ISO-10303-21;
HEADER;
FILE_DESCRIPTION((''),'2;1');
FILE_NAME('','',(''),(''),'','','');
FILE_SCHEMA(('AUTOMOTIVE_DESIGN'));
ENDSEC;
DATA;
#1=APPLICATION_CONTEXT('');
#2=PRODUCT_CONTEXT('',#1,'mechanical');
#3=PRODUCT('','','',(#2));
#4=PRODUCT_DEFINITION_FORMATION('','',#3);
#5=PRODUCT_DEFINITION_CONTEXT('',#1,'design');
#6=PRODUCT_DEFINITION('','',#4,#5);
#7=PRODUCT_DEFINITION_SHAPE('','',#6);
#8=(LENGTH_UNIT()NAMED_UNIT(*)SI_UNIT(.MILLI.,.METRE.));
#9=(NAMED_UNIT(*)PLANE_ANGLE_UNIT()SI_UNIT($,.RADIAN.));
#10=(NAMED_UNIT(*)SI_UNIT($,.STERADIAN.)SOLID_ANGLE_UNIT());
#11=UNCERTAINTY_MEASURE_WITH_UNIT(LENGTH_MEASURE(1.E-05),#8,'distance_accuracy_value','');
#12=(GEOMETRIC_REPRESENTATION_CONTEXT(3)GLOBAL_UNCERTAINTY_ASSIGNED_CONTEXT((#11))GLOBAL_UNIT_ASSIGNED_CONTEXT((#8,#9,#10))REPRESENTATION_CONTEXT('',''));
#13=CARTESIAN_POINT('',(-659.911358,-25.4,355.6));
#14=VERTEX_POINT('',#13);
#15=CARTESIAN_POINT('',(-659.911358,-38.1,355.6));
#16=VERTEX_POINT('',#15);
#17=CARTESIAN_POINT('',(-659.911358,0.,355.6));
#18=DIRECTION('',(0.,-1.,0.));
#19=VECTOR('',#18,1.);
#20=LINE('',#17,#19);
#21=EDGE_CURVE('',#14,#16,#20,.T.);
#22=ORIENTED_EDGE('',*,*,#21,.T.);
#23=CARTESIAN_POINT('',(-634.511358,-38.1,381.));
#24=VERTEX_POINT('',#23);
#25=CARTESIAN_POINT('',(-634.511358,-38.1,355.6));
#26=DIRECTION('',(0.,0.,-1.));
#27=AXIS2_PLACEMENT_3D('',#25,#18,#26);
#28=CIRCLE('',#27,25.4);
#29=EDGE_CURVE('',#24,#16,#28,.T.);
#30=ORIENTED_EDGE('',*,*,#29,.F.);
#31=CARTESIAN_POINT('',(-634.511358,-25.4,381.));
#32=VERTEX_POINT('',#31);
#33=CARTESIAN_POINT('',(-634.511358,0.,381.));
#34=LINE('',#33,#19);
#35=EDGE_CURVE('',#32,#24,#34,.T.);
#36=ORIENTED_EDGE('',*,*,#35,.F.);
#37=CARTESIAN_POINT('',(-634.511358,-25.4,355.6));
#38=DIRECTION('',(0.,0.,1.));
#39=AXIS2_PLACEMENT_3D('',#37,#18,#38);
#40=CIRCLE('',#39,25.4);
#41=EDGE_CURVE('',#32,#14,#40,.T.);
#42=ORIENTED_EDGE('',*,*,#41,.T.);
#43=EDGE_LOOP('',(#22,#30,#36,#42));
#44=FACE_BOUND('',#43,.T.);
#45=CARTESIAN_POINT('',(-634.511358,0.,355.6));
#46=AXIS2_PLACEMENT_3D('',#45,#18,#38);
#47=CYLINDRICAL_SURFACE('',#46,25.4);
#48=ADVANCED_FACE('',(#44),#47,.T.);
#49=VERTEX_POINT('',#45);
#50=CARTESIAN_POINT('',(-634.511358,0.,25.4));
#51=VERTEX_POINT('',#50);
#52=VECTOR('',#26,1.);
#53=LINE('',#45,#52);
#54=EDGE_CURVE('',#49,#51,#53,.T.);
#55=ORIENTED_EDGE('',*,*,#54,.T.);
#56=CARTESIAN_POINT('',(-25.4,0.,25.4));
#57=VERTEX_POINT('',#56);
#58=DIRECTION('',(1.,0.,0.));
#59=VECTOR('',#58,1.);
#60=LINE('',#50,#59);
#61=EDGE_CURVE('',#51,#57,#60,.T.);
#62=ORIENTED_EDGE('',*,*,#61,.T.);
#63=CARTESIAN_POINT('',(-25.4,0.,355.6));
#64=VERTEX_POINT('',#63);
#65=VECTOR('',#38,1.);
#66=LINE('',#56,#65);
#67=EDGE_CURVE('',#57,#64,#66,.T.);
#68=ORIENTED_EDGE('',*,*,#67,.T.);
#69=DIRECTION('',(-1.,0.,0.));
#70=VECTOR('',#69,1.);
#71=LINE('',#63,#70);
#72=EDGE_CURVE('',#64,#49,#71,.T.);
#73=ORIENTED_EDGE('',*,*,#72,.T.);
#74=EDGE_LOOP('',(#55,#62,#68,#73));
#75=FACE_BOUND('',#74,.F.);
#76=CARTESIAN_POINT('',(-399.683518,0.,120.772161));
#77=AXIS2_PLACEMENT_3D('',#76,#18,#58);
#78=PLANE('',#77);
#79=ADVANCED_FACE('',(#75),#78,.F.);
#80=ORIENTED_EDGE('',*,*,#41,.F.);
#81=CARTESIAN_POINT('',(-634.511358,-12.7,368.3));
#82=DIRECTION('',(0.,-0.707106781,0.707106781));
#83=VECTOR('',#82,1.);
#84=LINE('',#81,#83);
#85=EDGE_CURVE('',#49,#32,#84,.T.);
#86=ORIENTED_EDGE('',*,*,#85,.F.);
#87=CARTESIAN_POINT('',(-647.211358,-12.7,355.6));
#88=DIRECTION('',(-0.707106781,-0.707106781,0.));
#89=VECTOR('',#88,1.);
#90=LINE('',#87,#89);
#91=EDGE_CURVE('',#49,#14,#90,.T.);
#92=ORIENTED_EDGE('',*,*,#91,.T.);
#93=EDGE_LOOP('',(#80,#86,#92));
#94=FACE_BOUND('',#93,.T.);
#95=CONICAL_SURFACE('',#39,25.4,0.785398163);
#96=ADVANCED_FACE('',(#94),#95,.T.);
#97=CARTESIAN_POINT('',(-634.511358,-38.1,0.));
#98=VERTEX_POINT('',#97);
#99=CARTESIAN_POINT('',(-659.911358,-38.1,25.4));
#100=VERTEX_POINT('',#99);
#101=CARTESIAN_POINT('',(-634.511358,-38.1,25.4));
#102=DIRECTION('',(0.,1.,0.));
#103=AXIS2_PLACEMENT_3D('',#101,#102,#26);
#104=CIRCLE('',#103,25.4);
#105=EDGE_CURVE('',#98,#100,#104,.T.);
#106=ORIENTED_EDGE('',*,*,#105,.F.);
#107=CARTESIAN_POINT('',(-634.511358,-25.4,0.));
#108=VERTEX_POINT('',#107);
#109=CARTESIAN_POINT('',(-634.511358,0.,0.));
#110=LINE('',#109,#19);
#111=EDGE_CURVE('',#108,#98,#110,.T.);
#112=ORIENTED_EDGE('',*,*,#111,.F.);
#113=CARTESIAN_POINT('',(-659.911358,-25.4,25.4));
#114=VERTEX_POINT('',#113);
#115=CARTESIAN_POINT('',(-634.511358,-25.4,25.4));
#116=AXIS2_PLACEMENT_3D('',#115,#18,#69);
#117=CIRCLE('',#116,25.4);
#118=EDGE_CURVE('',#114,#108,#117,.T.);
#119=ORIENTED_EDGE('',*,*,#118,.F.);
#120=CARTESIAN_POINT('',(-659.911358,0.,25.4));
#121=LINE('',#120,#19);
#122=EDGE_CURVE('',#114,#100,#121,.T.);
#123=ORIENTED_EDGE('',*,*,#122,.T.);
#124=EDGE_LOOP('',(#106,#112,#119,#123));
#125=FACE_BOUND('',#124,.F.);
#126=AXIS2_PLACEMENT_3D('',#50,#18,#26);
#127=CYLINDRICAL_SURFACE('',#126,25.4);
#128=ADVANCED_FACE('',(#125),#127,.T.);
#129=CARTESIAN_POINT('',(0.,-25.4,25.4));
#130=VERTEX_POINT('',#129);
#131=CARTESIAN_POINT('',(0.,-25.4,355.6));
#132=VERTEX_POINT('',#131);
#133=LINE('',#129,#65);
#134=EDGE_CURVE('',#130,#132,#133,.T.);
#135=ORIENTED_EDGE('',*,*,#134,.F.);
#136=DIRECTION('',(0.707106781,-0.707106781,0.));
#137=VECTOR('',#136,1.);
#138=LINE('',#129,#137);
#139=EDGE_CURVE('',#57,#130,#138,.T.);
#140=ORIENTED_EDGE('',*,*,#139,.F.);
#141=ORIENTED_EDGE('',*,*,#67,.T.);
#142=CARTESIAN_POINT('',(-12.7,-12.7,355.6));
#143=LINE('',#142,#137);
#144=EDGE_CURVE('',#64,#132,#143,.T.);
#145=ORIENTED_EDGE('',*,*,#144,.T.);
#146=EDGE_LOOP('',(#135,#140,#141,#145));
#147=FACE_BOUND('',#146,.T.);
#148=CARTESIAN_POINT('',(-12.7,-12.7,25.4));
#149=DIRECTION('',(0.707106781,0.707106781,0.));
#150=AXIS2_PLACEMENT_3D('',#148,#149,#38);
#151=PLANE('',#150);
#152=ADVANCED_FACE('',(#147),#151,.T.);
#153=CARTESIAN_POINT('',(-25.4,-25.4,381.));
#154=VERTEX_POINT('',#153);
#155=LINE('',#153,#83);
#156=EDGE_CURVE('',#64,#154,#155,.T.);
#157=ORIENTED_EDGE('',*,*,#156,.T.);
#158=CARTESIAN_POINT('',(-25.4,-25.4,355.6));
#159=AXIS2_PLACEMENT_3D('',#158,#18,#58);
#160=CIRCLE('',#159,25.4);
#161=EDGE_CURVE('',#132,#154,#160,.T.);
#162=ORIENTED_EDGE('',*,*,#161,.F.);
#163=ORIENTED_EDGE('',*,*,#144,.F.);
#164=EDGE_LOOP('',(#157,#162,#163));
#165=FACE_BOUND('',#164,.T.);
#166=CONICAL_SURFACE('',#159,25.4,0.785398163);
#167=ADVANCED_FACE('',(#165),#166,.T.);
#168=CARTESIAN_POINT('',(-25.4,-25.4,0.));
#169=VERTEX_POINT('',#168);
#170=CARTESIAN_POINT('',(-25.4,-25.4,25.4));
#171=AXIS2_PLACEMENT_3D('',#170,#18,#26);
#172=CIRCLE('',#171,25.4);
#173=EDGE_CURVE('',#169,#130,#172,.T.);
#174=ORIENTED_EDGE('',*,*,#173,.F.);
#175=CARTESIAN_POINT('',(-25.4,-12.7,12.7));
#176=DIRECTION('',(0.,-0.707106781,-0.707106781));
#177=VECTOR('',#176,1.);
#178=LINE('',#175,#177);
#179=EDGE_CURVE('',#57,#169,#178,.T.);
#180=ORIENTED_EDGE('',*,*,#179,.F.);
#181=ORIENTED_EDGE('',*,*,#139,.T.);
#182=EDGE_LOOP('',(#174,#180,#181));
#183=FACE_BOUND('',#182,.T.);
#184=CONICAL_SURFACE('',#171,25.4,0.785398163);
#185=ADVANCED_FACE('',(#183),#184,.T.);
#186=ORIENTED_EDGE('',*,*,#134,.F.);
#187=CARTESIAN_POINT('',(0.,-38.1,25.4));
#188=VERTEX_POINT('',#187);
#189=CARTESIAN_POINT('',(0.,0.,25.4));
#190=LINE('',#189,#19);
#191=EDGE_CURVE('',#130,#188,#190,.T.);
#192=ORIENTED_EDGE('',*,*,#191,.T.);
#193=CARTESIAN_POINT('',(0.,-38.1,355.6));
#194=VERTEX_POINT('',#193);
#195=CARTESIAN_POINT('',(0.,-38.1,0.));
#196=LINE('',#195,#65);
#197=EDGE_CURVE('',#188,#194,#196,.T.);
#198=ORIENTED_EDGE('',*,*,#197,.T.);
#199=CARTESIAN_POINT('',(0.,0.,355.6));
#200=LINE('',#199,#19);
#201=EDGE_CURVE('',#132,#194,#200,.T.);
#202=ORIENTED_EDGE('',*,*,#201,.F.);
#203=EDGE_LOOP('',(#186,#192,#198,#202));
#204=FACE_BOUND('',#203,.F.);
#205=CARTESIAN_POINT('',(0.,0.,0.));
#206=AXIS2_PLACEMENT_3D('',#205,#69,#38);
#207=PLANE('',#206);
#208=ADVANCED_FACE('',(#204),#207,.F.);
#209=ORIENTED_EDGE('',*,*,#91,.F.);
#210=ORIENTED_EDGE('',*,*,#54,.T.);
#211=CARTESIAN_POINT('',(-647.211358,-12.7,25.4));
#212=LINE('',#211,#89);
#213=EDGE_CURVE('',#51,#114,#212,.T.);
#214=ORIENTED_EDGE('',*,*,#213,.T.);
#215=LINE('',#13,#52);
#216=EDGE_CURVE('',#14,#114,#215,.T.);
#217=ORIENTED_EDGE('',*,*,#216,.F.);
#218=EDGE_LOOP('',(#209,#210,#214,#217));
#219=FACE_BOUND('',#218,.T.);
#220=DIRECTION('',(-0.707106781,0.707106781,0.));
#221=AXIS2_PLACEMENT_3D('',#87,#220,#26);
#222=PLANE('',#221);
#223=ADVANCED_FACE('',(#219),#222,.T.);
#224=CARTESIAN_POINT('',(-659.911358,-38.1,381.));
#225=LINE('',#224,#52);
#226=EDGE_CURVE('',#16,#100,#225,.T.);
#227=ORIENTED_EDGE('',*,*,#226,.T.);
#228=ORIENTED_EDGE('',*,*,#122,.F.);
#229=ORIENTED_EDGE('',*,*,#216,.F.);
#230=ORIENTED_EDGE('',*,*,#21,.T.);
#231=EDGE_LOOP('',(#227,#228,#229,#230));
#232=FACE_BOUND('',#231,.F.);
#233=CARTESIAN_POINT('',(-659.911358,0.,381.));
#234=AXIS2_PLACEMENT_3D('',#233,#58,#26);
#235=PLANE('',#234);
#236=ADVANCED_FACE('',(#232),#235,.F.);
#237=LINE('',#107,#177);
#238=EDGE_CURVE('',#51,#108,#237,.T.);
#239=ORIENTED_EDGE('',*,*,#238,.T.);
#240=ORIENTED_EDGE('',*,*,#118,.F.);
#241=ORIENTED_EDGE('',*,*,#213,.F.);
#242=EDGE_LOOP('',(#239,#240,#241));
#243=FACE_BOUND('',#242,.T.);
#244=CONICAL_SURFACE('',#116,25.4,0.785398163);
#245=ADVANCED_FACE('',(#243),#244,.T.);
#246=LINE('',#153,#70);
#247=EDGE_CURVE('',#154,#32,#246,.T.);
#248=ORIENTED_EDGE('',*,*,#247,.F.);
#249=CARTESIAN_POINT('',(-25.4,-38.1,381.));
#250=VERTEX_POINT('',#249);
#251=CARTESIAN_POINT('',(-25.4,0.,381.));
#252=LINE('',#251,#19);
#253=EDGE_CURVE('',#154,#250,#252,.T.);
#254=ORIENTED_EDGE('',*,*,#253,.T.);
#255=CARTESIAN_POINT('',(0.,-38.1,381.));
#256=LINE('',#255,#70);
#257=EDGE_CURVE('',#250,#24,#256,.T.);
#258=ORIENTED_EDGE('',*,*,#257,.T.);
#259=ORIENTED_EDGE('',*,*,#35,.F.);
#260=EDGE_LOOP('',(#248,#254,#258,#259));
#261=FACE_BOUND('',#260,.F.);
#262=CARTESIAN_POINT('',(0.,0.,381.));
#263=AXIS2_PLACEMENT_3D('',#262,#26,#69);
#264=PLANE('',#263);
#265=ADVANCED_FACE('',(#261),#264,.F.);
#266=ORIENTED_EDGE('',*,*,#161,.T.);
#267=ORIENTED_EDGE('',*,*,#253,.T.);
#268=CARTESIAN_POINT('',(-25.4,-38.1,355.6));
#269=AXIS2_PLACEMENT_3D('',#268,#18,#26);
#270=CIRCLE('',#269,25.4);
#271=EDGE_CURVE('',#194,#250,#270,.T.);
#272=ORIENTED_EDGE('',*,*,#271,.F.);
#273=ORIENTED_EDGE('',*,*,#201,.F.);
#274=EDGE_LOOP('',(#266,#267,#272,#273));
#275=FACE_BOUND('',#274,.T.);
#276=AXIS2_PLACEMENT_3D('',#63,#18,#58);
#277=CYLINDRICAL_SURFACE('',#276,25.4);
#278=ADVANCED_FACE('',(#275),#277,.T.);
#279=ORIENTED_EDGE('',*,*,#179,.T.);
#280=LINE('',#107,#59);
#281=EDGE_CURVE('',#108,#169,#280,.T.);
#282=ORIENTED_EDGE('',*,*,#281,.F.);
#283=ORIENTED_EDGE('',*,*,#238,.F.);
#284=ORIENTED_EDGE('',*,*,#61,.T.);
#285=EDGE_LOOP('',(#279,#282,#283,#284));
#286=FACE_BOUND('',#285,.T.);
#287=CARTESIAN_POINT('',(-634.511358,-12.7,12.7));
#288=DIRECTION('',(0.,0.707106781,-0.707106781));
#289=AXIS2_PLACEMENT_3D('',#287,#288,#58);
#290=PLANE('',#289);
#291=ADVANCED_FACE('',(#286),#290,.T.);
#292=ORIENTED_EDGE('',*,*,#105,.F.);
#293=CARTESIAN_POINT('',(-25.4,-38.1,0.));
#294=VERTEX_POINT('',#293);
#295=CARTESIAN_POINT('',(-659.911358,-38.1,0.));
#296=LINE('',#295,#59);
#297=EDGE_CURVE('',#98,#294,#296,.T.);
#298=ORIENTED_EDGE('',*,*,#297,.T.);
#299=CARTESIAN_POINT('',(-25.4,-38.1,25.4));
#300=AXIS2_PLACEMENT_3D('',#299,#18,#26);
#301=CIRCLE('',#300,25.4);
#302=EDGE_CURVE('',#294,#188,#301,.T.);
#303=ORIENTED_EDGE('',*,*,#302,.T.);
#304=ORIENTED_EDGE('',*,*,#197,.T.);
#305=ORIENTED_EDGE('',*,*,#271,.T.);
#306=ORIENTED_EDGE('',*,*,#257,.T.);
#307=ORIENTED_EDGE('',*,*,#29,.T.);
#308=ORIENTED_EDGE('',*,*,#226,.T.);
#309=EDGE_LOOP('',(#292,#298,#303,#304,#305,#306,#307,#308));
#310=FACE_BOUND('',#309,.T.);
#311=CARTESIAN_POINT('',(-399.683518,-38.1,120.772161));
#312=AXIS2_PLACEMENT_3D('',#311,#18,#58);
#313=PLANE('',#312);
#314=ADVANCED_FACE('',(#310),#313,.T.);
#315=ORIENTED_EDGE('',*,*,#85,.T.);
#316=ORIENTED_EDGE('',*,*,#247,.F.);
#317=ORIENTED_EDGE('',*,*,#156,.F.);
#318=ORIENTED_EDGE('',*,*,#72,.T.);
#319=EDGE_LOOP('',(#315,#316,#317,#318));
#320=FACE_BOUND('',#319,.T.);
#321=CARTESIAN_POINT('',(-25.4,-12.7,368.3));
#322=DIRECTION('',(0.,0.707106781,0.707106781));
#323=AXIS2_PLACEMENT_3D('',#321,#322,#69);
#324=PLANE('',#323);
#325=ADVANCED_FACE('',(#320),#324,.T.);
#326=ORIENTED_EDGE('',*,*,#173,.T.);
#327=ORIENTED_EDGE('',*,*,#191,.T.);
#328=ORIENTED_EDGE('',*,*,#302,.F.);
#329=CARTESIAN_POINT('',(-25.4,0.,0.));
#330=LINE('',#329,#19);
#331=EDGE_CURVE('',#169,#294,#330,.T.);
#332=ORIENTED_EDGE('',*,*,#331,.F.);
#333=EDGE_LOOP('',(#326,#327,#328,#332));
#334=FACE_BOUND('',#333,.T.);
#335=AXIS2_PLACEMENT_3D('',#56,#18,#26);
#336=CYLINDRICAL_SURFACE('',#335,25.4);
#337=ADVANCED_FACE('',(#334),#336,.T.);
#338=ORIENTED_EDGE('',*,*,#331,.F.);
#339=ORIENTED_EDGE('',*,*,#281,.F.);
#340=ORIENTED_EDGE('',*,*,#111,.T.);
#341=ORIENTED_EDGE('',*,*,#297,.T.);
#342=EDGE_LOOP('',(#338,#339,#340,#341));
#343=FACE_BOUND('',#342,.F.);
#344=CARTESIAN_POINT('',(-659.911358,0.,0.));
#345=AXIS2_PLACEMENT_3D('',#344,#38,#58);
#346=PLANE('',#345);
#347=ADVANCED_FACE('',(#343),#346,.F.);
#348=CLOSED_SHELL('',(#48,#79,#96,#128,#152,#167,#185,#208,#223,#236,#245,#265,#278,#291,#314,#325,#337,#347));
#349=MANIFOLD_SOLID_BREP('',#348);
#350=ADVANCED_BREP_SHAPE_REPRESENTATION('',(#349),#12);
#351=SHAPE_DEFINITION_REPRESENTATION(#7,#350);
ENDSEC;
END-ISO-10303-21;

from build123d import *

# Parameters (mm, degrees)
F1_DEPTH = 38.1
F2_R     = 25.4
F3_SIZE  = 25.4


with BuildPart() as f1:
    # F0 (on Front) → F1 (new body)
    with BuildSketch(Plane.XZ):
        Polygon((-659.911358, 0), (0, 0), (-659.911358, 381), align=None)
        Polygon((-659.911358, 381), (0, 0), (0, 381), align=None)
    extrude(amount=F1_DEPTH)

    # F2
    f2_edges = [f1.edges().sort_by_distance(p)[0] for p in [
        (-659.911358, -19.05, 381),
        (0, -19.05, 381),
        (0, -19.05, 0),
        (-659.911358, -19.05, 0),
    ]]
    fillet(f2_edges, radius=F2_R)

    # F3
    f3_edges = [f1.edges().sort_by_distance(p)[0] for p in [
        (-659.911358, 0, 190.5),
        (-652.47187, 0, 373.560512),
        (-652.47187, 0, 7.439488),
        (-329.955679, 0, 381),
        (-329.955679, 0, 0),
        (-7.439488, 0, 373.560512),
        (-7.439488, 0, 7.439488),
        (0, 0, 190.5),
    ]]
    chamfer(f3_edges, length=F3_SIZE)


solid = f1.part
